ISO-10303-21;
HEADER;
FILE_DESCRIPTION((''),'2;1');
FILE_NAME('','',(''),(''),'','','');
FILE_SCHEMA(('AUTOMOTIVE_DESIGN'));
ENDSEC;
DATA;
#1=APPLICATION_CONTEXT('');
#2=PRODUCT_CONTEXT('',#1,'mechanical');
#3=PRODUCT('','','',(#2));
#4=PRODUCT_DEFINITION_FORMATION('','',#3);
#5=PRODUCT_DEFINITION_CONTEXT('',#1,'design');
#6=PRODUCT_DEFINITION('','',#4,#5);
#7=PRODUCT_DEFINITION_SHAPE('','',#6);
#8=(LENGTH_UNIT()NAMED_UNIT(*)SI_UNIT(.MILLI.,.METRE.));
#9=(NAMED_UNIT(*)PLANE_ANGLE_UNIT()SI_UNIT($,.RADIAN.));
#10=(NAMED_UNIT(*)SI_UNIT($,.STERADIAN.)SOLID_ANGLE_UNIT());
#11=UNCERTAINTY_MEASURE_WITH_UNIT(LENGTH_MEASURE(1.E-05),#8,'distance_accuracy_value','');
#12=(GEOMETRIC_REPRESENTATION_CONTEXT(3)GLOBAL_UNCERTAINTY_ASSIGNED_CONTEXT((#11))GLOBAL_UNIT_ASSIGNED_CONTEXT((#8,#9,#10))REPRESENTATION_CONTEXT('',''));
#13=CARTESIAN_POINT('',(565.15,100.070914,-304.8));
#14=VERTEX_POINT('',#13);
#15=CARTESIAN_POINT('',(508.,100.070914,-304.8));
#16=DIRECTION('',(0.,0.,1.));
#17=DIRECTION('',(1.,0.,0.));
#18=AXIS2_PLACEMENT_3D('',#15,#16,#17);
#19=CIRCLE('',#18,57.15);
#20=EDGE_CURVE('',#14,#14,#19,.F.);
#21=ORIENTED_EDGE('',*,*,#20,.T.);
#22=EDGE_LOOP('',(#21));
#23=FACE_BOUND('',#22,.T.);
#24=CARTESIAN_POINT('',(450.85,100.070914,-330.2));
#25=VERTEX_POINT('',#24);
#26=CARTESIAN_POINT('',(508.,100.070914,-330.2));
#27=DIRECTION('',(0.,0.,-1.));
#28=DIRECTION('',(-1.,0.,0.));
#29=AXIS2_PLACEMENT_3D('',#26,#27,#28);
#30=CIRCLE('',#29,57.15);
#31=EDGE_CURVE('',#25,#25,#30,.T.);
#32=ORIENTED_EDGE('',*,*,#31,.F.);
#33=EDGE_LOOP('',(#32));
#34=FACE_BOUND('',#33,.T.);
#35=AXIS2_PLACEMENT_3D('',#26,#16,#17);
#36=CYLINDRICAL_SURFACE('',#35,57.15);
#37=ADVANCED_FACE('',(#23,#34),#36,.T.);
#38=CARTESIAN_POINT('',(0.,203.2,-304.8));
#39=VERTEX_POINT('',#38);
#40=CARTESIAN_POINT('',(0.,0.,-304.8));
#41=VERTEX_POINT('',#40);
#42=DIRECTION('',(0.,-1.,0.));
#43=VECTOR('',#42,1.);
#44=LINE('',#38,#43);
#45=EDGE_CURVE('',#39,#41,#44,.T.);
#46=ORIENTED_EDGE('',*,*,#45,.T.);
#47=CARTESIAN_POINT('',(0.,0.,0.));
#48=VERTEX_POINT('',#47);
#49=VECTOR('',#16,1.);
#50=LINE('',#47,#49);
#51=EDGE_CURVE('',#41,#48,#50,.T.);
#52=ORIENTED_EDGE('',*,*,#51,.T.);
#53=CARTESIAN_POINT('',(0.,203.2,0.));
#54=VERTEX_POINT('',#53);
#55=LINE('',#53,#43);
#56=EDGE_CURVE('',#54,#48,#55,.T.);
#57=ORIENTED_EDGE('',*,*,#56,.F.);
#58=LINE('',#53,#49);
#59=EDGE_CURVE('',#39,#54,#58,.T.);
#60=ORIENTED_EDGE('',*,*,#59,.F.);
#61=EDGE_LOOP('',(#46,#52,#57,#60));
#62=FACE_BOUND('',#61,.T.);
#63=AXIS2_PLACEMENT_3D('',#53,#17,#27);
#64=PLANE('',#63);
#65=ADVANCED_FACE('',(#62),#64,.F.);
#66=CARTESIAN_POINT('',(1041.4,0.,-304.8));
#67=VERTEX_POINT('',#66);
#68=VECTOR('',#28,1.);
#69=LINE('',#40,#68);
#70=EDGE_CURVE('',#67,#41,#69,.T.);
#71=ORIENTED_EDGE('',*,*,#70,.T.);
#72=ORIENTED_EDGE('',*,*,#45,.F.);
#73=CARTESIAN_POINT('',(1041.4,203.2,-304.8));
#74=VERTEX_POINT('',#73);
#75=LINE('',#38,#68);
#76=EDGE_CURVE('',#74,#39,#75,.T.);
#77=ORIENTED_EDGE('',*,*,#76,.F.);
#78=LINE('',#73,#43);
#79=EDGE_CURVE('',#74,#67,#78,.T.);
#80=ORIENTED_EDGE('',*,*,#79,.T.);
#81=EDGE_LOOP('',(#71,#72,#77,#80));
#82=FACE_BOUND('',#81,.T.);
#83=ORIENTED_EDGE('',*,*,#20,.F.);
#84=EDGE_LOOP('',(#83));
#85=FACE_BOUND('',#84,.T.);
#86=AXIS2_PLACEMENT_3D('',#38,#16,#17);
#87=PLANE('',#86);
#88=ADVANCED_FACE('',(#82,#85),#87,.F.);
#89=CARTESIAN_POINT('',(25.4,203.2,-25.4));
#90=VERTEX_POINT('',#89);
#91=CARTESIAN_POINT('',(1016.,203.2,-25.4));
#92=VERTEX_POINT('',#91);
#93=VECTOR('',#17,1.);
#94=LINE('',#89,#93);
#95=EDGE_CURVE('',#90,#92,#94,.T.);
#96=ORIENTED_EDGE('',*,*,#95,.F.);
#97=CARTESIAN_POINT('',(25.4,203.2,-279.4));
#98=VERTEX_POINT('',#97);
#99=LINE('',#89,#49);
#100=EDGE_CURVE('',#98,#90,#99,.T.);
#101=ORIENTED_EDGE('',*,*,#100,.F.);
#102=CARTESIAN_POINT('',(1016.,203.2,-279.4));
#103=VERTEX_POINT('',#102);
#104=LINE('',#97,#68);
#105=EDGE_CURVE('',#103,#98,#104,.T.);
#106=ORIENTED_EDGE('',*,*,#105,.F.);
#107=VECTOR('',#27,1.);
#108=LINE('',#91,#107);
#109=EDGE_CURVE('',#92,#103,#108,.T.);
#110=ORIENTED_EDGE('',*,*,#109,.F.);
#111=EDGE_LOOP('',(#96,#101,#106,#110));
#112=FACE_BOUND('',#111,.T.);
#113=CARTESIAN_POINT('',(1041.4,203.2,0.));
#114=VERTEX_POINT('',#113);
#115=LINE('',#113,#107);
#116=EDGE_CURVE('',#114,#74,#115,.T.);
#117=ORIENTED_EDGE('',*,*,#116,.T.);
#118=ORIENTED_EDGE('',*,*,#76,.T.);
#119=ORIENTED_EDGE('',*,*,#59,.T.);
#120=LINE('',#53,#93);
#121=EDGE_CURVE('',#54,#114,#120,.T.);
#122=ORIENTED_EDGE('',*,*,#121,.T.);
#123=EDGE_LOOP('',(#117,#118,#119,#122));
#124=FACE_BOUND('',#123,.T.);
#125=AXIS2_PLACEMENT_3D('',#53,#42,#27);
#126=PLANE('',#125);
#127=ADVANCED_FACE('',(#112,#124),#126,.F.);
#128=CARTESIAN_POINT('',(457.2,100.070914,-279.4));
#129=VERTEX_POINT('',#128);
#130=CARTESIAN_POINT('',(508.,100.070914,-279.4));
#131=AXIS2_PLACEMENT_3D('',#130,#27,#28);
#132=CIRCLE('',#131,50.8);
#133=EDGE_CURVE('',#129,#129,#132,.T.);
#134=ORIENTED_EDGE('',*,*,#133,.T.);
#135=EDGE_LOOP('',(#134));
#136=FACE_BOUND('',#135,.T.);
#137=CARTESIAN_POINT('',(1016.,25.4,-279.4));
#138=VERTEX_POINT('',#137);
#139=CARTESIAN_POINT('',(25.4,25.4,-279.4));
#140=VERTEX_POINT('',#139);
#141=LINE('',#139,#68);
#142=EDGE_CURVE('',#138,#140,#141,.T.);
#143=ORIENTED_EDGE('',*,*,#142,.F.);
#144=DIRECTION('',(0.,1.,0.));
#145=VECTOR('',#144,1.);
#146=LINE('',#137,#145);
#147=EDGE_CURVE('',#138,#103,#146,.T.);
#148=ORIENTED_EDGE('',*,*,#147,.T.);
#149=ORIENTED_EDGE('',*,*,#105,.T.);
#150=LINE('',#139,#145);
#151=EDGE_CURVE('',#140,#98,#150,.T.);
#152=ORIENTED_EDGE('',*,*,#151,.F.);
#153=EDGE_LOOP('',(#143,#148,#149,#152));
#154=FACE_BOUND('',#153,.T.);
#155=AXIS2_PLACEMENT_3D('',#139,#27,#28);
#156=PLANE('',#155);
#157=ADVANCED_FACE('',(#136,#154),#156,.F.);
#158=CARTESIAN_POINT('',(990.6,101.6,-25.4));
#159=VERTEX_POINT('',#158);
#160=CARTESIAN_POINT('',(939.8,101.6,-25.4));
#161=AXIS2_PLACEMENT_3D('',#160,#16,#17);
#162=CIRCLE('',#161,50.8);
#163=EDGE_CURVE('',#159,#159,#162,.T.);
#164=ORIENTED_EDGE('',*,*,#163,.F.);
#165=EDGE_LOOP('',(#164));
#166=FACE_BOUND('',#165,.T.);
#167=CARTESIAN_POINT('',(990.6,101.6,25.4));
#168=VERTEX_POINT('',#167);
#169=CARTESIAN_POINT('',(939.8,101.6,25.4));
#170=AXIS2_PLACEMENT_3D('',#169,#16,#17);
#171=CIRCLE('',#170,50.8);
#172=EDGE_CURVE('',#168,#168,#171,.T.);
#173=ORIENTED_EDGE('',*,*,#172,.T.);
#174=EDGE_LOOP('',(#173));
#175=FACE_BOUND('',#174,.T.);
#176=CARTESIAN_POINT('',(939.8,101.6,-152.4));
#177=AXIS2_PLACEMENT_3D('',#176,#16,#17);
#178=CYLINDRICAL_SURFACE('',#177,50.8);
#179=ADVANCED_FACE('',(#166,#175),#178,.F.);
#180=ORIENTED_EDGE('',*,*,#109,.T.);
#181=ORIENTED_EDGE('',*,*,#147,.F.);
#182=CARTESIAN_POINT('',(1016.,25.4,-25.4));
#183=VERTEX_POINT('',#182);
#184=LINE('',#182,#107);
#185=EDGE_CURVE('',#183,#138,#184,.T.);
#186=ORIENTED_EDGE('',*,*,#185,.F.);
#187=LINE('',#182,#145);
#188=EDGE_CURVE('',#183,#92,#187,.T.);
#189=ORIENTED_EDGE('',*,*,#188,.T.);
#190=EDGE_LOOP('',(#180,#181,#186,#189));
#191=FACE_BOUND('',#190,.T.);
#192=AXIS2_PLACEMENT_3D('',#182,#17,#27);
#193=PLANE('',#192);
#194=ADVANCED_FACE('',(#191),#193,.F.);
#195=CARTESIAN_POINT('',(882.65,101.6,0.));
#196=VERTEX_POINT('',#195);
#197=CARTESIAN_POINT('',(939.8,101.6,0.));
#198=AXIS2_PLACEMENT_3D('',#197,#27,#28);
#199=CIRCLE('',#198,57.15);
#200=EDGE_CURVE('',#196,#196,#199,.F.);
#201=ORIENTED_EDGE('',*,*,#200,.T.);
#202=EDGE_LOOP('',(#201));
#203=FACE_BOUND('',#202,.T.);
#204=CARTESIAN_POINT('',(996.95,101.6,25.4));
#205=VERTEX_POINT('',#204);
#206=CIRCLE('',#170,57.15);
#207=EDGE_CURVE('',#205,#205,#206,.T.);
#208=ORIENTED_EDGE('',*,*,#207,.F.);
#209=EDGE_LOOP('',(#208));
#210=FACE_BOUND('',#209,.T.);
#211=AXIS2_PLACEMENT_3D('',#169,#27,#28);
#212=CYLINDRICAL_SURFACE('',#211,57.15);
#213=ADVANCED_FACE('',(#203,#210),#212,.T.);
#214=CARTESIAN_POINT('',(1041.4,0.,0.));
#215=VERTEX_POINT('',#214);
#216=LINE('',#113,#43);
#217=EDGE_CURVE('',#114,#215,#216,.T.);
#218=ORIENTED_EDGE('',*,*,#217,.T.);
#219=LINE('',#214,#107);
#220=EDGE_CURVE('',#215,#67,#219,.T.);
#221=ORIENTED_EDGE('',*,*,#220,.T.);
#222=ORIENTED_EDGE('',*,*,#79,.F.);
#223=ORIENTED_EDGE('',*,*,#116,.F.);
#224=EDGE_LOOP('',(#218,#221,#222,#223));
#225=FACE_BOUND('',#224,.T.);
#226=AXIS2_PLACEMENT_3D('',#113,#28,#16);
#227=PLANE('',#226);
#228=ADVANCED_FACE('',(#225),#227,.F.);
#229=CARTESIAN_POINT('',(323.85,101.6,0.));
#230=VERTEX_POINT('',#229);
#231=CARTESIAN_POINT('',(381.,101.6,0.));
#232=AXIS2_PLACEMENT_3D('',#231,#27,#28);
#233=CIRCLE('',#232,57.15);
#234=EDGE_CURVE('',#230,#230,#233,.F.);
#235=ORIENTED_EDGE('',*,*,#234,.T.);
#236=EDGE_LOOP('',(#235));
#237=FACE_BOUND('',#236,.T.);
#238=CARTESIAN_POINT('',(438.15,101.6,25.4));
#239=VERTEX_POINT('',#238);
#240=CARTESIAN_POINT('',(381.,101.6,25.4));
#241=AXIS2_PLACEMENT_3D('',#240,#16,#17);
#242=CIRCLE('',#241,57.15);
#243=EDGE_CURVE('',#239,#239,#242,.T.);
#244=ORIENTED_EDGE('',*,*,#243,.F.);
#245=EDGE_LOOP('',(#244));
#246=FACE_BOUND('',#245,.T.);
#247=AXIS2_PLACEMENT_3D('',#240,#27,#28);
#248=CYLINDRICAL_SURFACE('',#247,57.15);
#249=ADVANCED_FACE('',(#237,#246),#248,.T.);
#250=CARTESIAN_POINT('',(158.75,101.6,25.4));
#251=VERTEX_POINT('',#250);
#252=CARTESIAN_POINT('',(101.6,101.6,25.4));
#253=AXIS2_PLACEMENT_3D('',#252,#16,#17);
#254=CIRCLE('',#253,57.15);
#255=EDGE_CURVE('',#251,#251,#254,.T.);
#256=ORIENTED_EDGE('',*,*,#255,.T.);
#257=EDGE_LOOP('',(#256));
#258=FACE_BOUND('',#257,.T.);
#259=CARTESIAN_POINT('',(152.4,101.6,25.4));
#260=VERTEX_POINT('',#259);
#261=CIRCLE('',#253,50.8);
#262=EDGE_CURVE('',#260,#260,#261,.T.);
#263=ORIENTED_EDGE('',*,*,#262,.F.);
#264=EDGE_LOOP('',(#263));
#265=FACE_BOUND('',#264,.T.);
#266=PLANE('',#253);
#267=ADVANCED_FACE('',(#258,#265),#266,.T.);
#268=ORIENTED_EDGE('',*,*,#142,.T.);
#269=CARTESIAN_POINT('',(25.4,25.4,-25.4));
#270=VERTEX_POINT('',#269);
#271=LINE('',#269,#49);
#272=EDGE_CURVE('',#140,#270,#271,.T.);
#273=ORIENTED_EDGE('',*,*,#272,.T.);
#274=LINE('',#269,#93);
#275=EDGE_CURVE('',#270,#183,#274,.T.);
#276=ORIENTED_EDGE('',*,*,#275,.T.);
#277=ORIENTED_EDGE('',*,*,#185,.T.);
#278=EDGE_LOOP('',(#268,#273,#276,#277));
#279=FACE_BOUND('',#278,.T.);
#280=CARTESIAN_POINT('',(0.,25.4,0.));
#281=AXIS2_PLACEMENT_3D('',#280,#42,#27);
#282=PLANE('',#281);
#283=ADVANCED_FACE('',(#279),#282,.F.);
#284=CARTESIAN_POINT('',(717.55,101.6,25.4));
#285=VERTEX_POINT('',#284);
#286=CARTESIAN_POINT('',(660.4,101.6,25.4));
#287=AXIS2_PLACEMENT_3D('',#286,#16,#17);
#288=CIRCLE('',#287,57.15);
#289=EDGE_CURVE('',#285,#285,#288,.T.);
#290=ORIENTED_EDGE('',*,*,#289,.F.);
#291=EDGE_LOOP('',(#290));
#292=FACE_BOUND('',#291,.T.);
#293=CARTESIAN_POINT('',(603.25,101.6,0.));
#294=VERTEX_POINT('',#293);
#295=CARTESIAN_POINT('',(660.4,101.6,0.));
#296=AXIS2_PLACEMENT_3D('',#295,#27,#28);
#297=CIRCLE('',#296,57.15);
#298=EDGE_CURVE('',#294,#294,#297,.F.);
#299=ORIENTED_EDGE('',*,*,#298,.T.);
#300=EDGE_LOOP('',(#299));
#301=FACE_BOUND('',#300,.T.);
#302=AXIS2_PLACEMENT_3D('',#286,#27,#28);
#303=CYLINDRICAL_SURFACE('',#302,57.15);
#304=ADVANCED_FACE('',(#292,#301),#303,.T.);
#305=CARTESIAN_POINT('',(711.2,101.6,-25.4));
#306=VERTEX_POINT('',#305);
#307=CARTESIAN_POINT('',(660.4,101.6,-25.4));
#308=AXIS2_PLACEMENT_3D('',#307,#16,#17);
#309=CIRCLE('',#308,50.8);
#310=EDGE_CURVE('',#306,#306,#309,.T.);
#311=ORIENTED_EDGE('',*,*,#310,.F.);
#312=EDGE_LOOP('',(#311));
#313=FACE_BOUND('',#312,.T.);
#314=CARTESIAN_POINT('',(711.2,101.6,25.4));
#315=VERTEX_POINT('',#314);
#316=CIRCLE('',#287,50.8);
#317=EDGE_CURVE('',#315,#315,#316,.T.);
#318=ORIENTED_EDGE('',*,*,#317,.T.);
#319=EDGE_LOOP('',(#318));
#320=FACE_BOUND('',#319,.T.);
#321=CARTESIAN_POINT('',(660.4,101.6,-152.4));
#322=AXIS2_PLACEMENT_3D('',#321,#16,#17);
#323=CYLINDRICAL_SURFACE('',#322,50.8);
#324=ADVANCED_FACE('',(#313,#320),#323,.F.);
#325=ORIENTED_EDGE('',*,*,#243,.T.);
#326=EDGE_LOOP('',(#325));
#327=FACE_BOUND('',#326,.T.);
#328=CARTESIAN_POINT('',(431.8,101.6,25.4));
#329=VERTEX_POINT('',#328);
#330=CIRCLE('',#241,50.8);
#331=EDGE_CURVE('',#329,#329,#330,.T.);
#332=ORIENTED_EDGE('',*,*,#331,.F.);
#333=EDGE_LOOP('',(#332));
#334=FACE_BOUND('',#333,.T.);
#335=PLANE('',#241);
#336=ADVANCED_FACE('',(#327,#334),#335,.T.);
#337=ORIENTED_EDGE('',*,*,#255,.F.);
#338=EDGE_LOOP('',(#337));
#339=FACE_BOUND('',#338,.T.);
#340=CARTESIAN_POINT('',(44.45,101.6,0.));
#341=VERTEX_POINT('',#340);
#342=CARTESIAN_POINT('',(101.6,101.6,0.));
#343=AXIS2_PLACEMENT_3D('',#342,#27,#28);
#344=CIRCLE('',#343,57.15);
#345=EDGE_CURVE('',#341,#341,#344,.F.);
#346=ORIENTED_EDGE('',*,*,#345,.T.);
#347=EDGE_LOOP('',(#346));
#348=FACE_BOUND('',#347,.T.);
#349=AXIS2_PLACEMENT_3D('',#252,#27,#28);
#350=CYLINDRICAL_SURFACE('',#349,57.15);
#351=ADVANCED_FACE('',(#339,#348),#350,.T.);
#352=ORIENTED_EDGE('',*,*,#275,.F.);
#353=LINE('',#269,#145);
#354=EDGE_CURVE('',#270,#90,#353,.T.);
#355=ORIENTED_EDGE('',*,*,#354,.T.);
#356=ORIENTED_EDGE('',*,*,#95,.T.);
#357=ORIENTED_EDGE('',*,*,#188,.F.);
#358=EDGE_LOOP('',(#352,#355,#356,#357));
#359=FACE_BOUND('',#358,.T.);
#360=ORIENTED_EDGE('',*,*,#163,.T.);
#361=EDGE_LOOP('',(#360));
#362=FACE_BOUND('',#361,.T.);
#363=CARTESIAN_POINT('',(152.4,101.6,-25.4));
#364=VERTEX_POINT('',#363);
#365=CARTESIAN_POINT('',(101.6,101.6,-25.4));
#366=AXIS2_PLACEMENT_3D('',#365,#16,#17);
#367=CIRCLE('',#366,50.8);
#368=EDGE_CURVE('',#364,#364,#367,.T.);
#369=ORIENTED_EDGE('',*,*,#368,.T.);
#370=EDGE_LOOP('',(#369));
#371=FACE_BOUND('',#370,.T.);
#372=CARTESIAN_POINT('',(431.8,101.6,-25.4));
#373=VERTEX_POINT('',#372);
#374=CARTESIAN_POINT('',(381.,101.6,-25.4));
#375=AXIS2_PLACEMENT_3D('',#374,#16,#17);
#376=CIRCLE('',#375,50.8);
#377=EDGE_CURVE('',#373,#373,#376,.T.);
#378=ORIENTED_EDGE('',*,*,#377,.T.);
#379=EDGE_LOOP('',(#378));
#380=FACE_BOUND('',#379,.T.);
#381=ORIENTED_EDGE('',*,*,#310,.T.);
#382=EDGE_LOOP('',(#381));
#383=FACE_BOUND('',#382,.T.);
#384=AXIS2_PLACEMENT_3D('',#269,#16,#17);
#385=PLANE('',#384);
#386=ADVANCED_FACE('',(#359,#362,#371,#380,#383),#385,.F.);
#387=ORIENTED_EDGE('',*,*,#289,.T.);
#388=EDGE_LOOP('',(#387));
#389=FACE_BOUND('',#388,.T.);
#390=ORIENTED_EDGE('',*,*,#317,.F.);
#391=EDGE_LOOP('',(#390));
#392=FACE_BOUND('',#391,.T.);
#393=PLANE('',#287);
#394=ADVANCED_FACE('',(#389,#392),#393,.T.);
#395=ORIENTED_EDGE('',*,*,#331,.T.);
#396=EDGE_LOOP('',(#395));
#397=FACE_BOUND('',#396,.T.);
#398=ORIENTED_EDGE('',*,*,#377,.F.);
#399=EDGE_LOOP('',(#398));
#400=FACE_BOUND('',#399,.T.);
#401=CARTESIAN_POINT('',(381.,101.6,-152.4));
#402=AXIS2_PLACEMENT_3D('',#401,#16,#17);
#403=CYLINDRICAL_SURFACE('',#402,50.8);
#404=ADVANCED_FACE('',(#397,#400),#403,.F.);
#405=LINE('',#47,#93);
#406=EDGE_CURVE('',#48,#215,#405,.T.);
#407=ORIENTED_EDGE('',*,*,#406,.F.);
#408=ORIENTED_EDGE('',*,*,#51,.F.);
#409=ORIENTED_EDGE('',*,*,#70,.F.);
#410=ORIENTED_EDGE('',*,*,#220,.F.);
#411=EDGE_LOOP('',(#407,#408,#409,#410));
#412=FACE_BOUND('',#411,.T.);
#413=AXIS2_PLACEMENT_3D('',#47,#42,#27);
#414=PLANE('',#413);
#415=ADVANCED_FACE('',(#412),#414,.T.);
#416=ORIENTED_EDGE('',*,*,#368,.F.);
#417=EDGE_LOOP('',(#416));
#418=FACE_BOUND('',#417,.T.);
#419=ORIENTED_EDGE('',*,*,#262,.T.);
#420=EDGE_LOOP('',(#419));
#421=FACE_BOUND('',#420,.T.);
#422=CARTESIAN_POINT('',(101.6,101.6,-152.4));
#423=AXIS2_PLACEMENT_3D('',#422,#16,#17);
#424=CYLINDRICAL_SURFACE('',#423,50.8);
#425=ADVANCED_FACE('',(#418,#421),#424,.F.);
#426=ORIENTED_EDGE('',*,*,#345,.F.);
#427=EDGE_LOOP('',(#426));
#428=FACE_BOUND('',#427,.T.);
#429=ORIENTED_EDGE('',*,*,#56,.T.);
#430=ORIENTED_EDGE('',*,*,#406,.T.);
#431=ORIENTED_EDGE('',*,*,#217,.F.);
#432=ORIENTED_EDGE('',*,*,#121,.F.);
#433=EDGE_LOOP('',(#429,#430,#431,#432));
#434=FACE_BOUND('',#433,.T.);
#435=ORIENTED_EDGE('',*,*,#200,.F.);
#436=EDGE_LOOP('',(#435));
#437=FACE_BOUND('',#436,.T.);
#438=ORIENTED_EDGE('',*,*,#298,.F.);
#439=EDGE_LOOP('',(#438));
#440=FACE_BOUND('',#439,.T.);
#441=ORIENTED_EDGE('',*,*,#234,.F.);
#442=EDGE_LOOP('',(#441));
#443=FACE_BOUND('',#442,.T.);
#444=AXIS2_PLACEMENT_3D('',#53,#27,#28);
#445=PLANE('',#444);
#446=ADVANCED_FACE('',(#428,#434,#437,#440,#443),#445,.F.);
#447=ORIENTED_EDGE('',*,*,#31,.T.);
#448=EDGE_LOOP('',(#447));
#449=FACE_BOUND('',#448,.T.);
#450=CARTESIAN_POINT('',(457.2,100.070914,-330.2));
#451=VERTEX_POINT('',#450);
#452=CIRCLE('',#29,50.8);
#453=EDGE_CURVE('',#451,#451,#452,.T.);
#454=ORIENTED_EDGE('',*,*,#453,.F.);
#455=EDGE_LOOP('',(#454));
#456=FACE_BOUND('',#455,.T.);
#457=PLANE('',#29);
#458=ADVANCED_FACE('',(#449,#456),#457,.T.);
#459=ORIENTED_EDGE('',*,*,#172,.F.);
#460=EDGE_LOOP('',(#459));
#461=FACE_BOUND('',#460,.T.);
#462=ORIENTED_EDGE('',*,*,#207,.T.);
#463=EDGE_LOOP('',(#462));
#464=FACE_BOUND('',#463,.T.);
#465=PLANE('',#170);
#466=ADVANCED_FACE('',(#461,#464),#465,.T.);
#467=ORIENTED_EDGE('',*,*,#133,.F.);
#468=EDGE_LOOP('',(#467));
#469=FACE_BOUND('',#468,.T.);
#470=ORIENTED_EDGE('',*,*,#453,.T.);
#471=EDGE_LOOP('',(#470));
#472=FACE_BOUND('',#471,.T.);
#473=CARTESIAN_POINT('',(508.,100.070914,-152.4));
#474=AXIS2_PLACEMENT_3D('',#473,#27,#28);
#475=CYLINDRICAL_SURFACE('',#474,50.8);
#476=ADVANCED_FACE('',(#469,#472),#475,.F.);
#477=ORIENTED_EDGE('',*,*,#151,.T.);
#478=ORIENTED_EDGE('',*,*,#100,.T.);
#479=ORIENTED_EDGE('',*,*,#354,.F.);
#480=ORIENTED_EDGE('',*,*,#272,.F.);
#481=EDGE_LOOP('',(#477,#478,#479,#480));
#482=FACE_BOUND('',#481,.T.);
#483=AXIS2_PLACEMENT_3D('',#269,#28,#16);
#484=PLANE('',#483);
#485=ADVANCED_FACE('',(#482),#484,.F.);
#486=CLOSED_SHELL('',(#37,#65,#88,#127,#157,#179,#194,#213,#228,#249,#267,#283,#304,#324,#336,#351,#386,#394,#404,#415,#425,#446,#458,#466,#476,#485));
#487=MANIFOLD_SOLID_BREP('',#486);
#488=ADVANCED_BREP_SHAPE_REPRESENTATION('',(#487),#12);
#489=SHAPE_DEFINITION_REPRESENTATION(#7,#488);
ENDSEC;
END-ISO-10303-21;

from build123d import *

# Parameters (mm, degrees)
SKETCH1_W           = 1041.4
SKETCH1_H           = 304.8
BOSS_EXTRUDE1_DEPTH = 203.2
SKETCH3_R           = 57.15
BOSS_EXTRUDE2_DEPTH = 25.4
SKETCH4_R           = 57.15
BOSS_EXTRUDE3_DEPTH = 25.4
SKETCH5_W           = 990.6
SKETCH5_H           = 254
CUT_EXTRUDE1_DEPTH  = 177.8
SKETCH6_R           = 50.8
CUT_EXTRUDE2_DEPTH  = 177.8
SKETCH7_R           = 50.8
CUT_EXTRUDE3_DEPTH  = 177.8


with BuildPart() as part:
    # Sketch1 → Boss-Extrude1 (new body)
    with BuildSketch(Plane(origin=(0, 0, 0), x_dir=(1, 0, 0), z_dir=(0, 1, 0))):
        with Locations((520.7, 152.4)):
            Rectangle(SKETCH1_W, SKETCH1_H)
    extrude(amount=BOSS_EXTRUDE1_DEPTH)

    # Sketch3 → Boss-Extrude2 (add)
    with BuildSketch(Plane.XY):
        with Locations(Location((101.6, 101.6, 0), (0, 0, 180))):
            Circle(SKETCH3_R)
        with Locations(Location((381, 101.6, 0), (0, 0, 180))):
            Circle(SKETCH3_R)
        with Locations(Location((660.4, 101.6, 0), (0, 0, 180))):
            Circle(SKETCH3_R)
        with Locations(Location((939.8, 101.6, 0), (0, 0, 180))):
            Circle(SKETCH3_R)
    extrude(amount=BOSS_EXTRUDE2_DEPTH)

    # Sketch4 → Boss-Extrude3 (add)
    with BuildSketch(Plane(origin=(0, 0, -304.8), x_dir=(-1, 0, 0), z_dir=(0, 0, -1))):
        with Locations(Location((-508, 100.070914483, 0), (0, 0, 180))):
            Circle(SKETCH4_R)
    extrude(amount=BOSS_EXTRUDE3_DEPTH)

    # Sketch5 → Cut-Extrude1 (cut)
    with BuildSketch(Plane(origin=(0, 203.2, 0), x_dir=(1, 0, 0), z_dir=(0, 1, 0))):
        with Locations((520.7, 152.4)):
            Rectangle(SKETCH5_W, SKETCH5_H)
    extrude(amount=-CUT_EXTRUDE1_DEPTH, mode=Mode.SUBTRACT)

    # Sketch6 → Cut-Extrude2 (cut)
    with BuildSketch(Plane.XY.offset(25.4)):
        with Locations((101.6, 101.6)):
            Circle(SKETCH6_R)
        with Locations((381, 101.6)):
            Circle(SKETCH6_R)
        with Locations((660.4, 101.6)):
            Circle(SKETCH6_R)
        with Locations((939.8, 101.6)):
            Circle(SKETCH6_R)
    extrude(amount=-CUT_EXTRUDE2_DEPTH, mode=Mode.SUBTRACT)

    # Sketch7 → Cut-Extrude3 (cut)
    with BuildSketch(Plane(origin=(0, 0, -330.2), x_dir=(-1, 0, 0), z_dir=(0, 0, -1))):
        with Locations((-508, 100.070914483)):
            Circle(SKETCH7_R)
    extrude(amount=-CUT_EXTRUDE3_DEPTH, mode=Mode.SUBTRACT)


solid = part.part
